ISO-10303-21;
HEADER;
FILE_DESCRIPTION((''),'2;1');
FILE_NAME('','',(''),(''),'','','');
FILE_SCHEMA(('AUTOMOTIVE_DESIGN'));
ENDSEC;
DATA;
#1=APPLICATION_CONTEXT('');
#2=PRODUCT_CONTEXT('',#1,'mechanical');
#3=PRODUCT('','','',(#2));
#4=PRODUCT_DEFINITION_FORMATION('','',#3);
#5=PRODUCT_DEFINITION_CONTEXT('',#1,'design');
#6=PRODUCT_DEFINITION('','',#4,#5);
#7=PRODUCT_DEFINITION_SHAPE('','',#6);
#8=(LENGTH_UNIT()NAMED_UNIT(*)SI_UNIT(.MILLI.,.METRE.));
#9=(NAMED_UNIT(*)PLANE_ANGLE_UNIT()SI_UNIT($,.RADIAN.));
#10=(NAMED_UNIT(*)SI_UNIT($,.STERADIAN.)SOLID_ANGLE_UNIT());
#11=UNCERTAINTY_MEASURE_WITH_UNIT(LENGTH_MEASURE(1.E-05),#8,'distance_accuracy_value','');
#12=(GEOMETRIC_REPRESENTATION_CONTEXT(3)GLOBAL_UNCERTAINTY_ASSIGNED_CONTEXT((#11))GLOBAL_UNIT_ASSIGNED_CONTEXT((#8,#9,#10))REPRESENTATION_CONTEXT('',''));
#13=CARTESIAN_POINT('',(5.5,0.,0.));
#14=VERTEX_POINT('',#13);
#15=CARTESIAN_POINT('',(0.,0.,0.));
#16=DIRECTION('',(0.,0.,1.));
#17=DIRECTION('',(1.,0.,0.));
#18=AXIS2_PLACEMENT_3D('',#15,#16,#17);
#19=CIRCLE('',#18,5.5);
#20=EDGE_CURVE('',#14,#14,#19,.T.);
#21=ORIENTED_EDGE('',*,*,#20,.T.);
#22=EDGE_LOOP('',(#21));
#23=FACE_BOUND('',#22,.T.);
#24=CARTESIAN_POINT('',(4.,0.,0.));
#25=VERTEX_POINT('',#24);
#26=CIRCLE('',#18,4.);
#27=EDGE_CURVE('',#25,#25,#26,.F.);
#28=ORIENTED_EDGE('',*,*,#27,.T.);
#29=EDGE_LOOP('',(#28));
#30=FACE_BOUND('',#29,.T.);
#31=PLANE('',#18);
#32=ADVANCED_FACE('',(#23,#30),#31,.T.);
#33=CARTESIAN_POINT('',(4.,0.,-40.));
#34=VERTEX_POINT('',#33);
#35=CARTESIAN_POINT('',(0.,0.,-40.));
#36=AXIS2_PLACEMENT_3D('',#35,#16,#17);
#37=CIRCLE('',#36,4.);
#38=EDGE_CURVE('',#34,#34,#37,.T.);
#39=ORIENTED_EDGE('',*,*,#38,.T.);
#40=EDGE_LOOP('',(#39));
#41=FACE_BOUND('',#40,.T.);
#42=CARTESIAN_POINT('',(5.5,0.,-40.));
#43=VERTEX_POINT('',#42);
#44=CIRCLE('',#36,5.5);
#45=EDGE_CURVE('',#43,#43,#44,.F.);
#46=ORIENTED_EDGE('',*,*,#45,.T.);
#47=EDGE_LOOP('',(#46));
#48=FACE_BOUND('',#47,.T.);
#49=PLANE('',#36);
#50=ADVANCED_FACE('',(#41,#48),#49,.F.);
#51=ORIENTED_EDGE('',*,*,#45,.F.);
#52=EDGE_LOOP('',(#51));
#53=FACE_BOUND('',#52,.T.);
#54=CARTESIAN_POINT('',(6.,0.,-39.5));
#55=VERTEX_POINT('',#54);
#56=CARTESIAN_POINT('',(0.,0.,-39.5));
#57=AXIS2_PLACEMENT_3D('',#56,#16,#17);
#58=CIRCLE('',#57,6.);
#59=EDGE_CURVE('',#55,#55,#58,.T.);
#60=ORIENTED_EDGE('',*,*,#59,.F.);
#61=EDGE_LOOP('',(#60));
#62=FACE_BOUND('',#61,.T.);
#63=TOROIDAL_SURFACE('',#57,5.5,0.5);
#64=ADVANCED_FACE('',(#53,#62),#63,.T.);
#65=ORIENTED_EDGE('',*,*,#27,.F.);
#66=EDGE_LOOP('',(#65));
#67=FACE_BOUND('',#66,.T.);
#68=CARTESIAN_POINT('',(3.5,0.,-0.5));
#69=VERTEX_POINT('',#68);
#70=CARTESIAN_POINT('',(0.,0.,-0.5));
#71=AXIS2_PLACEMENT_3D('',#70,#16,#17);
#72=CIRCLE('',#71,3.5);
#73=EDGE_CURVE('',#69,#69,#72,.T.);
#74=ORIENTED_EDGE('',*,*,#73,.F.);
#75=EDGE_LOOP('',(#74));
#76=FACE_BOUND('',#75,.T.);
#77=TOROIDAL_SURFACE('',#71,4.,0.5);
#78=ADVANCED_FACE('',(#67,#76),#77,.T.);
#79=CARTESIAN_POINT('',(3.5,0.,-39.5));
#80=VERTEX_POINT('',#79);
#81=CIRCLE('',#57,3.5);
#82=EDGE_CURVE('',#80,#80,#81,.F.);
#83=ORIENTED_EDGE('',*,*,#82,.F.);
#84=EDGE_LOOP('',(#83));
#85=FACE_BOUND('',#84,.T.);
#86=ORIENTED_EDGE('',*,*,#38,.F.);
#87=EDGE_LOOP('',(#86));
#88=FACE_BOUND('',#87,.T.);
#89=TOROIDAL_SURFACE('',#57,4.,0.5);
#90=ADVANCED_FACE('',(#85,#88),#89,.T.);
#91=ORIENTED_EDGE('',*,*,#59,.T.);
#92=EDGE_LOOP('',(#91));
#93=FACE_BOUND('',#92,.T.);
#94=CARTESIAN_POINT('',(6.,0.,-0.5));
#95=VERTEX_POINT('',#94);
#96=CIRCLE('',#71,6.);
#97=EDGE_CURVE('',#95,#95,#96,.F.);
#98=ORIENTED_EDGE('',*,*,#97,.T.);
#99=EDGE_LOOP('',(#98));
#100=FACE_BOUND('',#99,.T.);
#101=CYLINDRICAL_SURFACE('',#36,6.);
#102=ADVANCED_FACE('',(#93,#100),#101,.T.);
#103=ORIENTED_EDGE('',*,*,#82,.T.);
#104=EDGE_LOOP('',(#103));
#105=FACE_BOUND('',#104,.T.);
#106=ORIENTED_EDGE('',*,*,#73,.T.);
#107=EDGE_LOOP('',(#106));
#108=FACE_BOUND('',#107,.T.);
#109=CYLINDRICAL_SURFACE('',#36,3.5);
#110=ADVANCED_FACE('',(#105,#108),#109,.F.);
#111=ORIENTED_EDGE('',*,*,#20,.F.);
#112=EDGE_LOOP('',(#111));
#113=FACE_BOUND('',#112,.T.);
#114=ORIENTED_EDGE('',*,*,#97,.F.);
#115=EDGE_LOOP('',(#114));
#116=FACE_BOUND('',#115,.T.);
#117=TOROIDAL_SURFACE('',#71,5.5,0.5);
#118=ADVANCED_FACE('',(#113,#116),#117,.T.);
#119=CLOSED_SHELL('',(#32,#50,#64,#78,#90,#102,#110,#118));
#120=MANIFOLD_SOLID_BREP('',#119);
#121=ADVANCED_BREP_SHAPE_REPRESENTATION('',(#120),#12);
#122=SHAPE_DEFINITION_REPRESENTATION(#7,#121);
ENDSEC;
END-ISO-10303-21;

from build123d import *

# Parameters (mm, degrees)
SZKIC1_R                    = 6
SZKIC1_R_2                  = 3.5
DODANIE_WYCI_GNI_CIE1_DEPTH = 40
ZAOKR_GLENIE1_R             = 0.5
ZAOKR_GLENIE2_R             = 0.5


with BuildPart() as part:
    # Szkic1 → Dodanie-wyciągnięcie1 (new body)
    with BuildSketch(Plane.XY):
        Circle(SZKIC1_R)
        Circle(SZKIC1_R_2, mode=Mode.SUBTRACT)
    extrude(amount=-DODANIE_WYCI_GNI_CIE1_DEPTH)

    # Zaokrąglenie1
    zaokr_glenie1_edges = [part.edges().sort_by_distance(p)[0] for p in [
        (-6, 0, 0),
        (-6, 0, -40),
    ]]
    fillet(zaokr_glenie1_edges, radius=ZAOKR_GLENIE1_R)

    # Zaokrąglenie2
    zaokr_glenie2_edges = [part.edges().sort_by_distance(p)[0] for p in [
        (-3.5, 0, -40),
        (-3.5, 0, 0),
    ]]
    fillet(zaokr_glenie2_edges, radius=ZAOKR_GLENIE2_R)


solid = part.part
